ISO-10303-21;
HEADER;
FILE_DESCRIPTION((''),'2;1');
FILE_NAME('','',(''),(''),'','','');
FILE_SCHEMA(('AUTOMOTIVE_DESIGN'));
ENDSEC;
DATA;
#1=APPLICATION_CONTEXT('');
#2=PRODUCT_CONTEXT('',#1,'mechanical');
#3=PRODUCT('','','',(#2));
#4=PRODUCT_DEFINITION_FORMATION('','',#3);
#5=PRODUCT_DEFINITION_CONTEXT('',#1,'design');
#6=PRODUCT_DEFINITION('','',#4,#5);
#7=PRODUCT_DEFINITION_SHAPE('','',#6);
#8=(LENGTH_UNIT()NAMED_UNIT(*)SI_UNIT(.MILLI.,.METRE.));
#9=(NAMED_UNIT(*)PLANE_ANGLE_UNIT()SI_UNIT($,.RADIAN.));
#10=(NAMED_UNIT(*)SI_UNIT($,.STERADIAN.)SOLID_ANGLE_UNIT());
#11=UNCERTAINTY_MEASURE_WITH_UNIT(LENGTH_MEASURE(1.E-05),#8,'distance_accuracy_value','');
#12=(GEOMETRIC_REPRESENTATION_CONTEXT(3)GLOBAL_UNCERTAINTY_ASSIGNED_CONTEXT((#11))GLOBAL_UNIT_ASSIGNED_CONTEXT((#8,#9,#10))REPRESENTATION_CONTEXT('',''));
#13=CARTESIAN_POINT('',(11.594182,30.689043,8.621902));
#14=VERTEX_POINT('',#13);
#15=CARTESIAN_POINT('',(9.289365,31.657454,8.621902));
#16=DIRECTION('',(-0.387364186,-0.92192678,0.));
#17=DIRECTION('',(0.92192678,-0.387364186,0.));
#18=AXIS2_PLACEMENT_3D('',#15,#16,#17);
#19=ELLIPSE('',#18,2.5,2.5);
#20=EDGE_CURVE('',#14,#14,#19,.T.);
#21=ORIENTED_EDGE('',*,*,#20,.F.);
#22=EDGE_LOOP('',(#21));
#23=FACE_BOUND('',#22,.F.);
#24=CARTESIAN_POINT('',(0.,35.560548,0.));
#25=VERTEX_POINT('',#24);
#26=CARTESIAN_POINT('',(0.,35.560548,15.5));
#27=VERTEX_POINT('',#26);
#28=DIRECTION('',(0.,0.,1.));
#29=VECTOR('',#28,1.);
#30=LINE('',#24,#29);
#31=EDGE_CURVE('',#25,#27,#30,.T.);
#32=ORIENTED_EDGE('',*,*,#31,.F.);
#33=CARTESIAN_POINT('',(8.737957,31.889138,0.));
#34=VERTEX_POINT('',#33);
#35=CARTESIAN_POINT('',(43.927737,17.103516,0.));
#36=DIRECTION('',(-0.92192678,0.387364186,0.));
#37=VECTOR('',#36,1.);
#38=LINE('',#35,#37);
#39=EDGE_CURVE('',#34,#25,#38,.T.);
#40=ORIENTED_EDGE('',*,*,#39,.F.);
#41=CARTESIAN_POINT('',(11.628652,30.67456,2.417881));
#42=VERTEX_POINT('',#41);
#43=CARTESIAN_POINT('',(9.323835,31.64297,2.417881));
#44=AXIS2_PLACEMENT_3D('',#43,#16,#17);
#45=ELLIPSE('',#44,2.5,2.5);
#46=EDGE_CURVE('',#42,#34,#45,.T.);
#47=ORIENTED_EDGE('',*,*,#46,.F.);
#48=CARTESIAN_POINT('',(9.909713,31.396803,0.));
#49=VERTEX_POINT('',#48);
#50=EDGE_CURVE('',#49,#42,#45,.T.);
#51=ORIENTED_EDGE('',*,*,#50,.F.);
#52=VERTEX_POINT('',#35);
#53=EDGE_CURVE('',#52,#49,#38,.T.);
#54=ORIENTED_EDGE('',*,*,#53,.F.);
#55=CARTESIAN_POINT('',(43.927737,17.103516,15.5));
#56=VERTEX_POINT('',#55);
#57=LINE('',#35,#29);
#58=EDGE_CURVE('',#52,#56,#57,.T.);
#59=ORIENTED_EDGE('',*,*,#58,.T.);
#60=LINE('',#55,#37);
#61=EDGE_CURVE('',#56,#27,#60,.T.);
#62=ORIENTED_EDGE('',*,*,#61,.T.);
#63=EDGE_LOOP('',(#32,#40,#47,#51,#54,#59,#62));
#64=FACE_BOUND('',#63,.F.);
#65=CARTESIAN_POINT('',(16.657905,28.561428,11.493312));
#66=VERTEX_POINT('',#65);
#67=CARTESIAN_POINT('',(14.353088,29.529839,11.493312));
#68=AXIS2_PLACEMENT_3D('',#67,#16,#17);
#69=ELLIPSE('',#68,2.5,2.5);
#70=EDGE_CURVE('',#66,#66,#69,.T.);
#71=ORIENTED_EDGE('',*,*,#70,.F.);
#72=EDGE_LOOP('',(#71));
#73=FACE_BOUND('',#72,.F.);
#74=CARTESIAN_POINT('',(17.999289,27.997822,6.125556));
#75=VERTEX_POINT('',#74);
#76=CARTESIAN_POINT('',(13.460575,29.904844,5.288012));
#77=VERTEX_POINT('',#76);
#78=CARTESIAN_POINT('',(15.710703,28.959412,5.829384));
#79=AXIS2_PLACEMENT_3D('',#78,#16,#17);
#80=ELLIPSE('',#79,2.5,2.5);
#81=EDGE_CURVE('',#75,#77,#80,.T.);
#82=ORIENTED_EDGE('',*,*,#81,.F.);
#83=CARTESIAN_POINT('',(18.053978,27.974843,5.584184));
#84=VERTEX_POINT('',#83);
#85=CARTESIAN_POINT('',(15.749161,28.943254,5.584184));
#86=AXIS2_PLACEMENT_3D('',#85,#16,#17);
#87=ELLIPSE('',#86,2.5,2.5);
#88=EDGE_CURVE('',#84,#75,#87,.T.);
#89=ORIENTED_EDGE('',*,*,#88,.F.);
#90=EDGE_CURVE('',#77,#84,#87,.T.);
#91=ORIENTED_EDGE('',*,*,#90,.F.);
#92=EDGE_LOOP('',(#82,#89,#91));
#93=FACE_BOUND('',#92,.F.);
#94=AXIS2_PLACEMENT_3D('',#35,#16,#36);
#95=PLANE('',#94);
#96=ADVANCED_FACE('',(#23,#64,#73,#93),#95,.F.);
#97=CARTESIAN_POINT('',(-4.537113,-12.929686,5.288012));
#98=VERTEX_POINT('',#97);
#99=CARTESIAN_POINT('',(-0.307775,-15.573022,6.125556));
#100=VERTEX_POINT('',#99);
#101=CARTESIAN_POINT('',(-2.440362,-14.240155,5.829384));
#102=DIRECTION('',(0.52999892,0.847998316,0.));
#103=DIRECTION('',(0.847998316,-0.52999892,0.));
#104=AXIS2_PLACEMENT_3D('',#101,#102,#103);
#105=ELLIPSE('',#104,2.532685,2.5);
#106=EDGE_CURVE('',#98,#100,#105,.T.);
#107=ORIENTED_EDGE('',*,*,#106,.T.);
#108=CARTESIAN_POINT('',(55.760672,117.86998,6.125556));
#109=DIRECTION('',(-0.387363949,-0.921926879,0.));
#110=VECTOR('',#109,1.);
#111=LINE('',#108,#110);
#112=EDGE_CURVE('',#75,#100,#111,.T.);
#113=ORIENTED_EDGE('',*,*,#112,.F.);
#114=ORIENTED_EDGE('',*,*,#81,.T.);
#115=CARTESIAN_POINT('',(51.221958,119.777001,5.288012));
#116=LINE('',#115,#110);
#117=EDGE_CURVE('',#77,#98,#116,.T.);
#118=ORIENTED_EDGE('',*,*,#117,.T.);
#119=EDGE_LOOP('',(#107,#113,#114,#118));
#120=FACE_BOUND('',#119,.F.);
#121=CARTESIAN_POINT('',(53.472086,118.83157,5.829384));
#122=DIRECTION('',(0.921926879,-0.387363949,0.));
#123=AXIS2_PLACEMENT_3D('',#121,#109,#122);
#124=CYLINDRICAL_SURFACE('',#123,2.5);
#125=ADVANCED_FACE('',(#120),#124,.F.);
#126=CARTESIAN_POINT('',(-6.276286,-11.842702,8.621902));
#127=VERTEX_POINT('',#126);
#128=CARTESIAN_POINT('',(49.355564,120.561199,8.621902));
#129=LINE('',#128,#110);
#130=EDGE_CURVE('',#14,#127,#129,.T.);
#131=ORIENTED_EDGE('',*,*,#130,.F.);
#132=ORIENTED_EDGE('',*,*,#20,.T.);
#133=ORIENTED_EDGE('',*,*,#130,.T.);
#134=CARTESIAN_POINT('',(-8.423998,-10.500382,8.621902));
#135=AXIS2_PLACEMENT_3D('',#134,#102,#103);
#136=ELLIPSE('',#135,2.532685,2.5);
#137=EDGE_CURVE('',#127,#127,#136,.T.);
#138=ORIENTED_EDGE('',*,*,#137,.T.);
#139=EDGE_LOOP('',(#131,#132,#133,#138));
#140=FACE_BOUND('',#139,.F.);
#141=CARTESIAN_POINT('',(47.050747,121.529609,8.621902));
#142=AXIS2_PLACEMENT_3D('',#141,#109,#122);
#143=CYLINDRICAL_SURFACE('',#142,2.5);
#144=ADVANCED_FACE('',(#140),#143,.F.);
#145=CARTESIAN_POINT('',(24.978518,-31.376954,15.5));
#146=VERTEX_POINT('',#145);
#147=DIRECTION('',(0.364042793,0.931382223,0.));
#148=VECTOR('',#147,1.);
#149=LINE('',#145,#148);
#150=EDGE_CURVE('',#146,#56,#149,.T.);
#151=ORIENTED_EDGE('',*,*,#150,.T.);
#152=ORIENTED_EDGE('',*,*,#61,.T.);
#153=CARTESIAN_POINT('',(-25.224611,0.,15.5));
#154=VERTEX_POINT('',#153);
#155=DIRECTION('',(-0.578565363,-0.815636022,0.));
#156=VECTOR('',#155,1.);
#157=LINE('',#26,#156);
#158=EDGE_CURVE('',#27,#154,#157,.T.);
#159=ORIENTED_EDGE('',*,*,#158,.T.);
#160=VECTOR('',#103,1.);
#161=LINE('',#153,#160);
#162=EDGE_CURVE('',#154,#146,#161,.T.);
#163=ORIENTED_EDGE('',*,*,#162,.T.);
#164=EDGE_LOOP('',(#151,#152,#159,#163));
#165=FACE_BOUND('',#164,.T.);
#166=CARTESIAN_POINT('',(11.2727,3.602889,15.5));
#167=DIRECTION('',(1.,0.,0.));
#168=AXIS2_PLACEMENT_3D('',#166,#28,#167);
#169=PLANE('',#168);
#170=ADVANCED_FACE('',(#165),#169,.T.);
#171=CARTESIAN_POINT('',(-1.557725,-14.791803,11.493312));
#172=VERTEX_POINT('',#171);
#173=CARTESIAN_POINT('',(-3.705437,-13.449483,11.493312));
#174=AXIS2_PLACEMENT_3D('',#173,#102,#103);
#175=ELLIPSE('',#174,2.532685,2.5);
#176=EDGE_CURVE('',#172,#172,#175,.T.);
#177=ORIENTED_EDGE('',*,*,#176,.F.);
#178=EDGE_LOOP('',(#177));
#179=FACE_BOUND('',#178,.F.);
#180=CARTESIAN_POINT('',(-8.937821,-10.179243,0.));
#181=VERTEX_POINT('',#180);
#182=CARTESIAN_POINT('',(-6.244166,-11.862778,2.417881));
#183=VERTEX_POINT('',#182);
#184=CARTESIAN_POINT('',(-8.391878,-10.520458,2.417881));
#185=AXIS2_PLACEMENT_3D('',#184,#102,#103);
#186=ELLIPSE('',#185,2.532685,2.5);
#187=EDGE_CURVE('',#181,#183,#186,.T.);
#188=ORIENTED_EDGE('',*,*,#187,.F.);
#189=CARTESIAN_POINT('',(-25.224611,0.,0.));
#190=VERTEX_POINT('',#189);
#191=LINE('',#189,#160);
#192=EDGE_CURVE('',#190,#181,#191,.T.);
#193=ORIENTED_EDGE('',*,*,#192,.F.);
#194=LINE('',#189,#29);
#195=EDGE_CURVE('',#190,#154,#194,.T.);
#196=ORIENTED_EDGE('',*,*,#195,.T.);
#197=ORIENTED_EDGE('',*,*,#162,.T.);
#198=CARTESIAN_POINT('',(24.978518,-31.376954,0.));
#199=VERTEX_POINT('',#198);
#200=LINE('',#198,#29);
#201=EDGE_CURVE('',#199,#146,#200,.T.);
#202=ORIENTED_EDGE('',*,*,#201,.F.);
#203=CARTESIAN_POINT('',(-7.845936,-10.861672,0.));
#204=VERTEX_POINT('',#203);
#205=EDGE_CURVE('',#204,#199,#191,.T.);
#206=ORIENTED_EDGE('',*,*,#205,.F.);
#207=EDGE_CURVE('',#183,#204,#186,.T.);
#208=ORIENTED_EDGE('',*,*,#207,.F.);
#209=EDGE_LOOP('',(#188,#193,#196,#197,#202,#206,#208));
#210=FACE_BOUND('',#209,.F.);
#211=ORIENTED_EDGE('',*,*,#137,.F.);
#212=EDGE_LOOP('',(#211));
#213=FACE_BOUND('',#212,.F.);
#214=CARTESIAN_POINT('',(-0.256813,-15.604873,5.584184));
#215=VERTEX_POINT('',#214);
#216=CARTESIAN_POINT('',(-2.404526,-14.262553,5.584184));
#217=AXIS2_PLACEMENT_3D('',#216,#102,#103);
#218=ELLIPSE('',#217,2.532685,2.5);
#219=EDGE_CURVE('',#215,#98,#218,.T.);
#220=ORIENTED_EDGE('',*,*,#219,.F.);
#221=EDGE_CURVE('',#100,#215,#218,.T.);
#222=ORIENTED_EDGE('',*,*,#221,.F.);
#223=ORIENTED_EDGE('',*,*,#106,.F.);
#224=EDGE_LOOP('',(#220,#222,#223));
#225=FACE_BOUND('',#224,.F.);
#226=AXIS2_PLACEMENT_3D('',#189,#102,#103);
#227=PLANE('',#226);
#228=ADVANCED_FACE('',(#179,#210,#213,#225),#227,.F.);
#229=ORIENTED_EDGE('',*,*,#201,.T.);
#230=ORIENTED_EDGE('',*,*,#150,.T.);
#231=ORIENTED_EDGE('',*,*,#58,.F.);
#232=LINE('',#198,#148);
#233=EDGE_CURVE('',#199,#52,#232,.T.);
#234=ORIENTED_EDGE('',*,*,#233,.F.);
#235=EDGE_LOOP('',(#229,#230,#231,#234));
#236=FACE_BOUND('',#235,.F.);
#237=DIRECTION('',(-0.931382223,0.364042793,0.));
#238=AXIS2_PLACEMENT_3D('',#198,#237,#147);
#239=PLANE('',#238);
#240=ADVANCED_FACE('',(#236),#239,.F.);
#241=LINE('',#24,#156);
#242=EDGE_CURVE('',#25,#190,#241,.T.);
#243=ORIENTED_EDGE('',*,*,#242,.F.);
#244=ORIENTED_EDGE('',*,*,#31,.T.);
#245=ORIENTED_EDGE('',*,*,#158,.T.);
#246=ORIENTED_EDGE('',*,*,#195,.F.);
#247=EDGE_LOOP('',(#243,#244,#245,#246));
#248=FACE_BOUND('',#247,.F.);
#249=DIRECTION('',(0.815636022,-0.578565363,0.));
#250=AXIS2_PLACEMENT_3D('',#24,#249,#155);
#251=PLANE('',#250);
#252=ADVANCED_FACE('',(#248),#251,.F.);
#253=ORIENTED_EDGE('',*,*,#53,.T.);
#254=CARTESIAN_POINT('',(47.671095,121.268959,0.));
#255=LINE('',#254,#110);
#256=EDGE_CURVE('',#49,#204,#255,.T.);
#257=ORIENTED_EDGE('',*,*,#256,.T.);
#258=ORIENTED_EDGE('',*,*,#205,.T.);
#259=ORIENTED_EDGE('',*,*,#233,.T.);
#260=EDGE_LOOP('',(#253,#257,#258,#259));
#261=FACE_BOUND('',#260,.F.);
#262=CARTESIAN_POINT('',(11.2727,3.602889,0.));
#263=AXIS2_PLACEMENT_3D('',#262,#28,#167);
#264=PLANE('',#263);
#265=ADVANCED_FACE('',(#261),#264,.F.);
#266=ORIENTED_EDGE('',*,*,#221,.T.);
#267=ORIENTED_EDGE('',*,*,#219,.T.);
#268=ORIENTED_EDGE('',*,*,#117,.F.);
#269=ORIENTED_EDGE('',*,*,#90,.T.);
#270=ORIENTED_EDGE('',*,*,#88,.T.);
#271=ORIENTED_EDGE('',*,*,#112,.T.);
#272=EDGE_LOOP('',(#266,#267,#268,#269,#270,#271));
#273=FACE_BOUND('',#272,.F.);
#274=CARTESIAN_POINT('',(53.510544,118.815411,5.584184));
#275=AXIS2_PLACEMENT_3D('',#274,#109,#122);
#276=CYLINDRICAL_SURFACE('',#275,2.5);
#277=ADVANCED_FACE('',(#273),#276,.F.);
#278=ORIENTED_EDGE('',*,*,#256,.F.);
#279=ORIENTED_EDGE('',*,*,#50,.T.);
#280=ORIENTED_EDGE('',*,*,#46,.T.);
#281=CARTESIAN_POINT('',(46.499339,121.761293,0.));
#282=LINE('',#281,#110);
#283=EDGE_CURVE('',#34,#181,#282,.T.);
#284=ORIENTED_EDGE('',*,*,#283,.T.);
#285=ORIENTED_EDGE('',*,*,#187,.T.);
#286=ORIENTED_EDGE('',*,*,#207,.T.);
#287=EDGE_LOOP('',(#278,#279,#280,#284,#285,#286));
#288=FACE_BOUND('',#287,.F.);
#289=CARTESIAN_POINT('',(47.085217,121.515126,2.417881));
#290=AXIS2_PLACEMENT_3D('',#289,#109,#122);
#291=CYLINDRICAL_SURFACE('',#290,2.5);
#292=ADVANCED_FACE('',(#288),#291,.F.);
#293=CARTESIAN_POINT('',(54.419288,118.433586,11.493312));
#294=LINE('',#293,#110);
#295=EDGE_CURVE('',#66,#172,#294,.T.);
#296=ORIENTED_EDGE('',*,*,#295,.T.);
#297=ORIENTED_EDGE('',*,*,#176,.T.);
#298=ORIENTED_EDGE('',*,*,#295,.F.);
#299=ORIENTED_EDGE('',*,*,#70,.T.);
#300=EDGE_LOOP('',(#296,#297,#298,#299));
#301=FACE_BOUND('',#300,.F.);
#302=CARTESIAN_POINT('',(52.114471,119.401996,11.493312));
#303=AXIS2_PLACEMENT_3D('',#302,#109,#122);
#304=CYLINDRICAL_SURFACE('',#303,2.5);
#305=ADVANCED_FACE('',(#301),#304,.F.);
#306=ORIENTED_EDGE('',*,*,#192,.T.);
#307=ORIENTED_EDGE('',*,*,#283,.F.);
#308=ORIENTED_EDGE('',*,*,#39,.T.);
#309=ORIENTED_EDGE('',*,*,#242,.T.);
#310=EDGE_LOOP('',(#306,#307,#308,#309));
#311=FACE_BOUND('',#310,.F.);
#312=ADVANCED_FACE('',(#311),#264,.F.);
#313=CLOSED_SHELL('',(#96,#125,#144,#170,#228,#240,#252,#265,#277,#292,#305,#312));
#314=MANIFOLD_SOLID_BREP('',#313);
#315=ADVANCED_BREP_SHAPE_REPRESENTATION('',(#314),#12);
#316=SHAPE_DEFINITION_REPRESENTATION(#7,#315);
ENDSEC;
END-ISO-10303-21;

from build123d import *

# Parameters (mm, degrees)
F1_DEPTH = 15.5
F3_D     = 5


with BuildPart() as f1:
    # F0 (on Top) → F1 (new body)
    with BuildSketch(Plane.XY):
        Polygon((43.927737, 17.103516), (0, 35.560548), (-25.224611, 0), (24.978518, -31.376954), align=None)
    extrude(amount=F1_DEPTH)

    # F3 (through all)
    with Locations(Plane(origin=(12.699434, 30.224652, 0), x_dir=(-0.921927, 0.387364, 0), z_dir=(0.387364, 0.921927, 0))):
        with Locations((-3.307993, 5.584184), (3.69885, 8.621902), (-1.793694, 11.493312), (3.661461, 2.417881), (-3.266278, 5.829384)):
            Hole(F3_D / 2)


solid = f1.part
